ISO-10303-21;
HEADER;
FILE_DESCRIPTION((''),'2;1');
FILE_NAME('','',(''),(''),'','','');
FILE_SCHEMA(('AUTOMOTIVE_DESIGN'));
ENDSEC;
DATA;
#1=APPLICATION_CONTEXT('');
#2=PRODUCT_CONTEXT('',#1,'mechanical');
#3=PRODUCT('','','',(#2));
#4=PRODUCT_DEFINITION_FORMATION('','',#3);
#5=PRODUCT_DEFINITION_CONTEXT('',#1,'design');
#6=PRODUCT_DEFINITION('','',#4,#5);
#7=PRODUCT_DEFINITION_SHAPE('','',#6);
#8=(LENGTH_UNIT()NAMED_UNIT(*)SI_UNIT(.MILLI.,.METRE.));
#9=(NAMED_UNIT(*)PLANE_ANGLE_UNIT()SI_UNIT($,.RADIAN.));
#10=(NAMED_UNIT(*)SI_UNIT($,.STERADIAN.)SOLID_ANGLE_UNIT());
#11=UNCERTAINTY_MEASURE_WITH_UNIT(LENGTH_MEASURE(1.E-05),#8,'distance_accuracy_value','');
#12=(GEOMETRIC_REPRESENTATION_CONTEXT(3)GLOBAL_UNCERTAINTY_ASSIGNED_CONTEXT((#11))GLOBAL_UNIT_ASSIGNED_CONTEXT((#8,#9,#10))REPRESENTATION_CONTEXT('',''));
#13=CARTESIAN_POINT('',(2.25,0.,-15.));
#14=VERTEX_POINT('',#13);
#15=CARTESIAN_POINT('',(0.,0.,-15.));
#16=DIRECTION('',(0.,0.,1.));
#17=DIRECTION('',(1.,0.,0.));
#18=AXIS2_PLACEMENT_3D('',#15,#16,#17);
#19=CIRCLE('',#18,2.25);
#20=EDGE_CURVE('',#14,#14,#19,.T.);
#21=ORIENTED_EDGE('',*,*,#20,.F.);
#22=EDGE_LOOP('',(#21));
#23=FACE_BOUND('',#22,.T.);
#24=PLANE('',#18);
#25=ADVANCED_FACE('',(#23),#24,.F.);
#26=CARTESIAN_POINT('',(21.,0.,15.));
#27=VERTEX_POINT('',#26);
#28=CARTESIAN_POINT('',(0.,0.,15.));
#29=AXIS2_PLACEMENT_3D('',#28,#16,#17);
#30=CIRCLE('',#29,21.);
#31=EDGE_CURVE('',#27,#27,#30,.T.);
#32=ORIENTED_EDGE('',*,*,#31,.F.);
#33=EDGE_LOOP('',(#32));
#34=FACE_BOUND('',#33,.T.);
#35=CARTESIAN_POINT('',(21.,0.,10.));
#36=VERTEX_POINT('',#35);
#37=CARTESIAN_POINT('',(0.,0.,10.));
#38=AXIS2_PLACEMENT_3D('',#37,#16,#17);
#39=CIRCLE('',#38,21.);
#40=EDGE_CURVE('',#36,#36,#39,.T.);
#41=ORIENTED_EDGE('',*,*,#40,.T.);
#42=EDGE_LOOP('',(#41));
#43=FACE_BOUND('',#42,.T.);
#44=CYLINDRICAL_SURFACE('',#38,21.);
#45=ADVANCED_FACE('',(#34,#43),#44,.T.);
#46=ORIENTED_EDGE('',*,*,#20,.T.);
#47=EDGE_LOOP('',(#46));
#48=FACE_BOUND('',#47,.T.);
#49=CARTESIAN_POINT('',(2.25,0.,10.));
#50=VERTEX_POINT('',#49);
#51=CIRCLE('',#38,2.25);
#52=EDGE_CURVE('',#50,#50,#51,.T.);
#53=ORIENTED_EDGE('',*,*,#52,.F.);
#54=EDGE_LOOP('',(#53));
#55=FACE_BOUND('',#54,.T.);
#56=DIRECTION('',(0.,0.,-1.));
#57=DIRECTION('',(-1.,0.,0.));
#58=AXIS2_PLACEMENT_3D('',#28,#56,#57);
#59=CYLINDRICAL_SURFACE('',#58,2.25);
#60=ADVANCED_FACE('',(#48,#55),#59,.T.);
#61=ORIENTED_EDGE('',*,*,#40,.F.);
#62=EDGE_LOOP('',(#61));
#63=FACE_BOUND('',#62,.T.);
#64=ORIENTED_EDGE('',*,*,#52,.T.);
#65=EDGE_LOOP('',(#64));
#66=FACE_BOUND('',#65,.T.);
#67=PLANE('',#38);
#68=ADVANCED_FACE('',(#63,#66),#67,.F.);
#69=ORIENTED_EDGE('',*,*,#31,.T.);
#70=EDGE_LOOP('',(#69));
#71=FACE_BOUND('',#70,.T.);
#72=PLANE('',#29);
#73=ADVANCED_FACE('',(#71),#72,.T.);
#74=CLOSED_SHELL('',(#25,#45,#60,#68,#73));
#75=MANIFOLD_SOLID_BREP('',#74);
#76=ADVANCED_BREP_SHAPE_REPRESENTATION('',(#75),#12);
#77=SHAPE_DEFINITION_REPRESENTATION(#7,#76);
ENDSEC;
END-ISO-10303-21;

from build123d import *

# Parameters (mm, degrees)
SKETCH3_R           = 2.25
BOSS_EXTRUDE1_DEPTH = 15
SKETCH4_R           = 21
BOSS_EXTRUDE2_DEPTH = 5


with BuildPart() as part:
    # Sketch3 → Boss-Extrude1 (new, symmetric)
    with BuildSketch(Plane.XY):
        Circle(SKETCH3_R)
    extrude(amount=BOSS_EXTRUDE1_DEPTH, both=True)

    # Sketch4 → Boss-Extrude2 (add)
    with BuildSketch(Plane.XY.offset(15)):
        Circle(SKETCH4_R)
    extrude(amount=-BOSS_EXTRUDE2_DEPTH)


solid = part.part
